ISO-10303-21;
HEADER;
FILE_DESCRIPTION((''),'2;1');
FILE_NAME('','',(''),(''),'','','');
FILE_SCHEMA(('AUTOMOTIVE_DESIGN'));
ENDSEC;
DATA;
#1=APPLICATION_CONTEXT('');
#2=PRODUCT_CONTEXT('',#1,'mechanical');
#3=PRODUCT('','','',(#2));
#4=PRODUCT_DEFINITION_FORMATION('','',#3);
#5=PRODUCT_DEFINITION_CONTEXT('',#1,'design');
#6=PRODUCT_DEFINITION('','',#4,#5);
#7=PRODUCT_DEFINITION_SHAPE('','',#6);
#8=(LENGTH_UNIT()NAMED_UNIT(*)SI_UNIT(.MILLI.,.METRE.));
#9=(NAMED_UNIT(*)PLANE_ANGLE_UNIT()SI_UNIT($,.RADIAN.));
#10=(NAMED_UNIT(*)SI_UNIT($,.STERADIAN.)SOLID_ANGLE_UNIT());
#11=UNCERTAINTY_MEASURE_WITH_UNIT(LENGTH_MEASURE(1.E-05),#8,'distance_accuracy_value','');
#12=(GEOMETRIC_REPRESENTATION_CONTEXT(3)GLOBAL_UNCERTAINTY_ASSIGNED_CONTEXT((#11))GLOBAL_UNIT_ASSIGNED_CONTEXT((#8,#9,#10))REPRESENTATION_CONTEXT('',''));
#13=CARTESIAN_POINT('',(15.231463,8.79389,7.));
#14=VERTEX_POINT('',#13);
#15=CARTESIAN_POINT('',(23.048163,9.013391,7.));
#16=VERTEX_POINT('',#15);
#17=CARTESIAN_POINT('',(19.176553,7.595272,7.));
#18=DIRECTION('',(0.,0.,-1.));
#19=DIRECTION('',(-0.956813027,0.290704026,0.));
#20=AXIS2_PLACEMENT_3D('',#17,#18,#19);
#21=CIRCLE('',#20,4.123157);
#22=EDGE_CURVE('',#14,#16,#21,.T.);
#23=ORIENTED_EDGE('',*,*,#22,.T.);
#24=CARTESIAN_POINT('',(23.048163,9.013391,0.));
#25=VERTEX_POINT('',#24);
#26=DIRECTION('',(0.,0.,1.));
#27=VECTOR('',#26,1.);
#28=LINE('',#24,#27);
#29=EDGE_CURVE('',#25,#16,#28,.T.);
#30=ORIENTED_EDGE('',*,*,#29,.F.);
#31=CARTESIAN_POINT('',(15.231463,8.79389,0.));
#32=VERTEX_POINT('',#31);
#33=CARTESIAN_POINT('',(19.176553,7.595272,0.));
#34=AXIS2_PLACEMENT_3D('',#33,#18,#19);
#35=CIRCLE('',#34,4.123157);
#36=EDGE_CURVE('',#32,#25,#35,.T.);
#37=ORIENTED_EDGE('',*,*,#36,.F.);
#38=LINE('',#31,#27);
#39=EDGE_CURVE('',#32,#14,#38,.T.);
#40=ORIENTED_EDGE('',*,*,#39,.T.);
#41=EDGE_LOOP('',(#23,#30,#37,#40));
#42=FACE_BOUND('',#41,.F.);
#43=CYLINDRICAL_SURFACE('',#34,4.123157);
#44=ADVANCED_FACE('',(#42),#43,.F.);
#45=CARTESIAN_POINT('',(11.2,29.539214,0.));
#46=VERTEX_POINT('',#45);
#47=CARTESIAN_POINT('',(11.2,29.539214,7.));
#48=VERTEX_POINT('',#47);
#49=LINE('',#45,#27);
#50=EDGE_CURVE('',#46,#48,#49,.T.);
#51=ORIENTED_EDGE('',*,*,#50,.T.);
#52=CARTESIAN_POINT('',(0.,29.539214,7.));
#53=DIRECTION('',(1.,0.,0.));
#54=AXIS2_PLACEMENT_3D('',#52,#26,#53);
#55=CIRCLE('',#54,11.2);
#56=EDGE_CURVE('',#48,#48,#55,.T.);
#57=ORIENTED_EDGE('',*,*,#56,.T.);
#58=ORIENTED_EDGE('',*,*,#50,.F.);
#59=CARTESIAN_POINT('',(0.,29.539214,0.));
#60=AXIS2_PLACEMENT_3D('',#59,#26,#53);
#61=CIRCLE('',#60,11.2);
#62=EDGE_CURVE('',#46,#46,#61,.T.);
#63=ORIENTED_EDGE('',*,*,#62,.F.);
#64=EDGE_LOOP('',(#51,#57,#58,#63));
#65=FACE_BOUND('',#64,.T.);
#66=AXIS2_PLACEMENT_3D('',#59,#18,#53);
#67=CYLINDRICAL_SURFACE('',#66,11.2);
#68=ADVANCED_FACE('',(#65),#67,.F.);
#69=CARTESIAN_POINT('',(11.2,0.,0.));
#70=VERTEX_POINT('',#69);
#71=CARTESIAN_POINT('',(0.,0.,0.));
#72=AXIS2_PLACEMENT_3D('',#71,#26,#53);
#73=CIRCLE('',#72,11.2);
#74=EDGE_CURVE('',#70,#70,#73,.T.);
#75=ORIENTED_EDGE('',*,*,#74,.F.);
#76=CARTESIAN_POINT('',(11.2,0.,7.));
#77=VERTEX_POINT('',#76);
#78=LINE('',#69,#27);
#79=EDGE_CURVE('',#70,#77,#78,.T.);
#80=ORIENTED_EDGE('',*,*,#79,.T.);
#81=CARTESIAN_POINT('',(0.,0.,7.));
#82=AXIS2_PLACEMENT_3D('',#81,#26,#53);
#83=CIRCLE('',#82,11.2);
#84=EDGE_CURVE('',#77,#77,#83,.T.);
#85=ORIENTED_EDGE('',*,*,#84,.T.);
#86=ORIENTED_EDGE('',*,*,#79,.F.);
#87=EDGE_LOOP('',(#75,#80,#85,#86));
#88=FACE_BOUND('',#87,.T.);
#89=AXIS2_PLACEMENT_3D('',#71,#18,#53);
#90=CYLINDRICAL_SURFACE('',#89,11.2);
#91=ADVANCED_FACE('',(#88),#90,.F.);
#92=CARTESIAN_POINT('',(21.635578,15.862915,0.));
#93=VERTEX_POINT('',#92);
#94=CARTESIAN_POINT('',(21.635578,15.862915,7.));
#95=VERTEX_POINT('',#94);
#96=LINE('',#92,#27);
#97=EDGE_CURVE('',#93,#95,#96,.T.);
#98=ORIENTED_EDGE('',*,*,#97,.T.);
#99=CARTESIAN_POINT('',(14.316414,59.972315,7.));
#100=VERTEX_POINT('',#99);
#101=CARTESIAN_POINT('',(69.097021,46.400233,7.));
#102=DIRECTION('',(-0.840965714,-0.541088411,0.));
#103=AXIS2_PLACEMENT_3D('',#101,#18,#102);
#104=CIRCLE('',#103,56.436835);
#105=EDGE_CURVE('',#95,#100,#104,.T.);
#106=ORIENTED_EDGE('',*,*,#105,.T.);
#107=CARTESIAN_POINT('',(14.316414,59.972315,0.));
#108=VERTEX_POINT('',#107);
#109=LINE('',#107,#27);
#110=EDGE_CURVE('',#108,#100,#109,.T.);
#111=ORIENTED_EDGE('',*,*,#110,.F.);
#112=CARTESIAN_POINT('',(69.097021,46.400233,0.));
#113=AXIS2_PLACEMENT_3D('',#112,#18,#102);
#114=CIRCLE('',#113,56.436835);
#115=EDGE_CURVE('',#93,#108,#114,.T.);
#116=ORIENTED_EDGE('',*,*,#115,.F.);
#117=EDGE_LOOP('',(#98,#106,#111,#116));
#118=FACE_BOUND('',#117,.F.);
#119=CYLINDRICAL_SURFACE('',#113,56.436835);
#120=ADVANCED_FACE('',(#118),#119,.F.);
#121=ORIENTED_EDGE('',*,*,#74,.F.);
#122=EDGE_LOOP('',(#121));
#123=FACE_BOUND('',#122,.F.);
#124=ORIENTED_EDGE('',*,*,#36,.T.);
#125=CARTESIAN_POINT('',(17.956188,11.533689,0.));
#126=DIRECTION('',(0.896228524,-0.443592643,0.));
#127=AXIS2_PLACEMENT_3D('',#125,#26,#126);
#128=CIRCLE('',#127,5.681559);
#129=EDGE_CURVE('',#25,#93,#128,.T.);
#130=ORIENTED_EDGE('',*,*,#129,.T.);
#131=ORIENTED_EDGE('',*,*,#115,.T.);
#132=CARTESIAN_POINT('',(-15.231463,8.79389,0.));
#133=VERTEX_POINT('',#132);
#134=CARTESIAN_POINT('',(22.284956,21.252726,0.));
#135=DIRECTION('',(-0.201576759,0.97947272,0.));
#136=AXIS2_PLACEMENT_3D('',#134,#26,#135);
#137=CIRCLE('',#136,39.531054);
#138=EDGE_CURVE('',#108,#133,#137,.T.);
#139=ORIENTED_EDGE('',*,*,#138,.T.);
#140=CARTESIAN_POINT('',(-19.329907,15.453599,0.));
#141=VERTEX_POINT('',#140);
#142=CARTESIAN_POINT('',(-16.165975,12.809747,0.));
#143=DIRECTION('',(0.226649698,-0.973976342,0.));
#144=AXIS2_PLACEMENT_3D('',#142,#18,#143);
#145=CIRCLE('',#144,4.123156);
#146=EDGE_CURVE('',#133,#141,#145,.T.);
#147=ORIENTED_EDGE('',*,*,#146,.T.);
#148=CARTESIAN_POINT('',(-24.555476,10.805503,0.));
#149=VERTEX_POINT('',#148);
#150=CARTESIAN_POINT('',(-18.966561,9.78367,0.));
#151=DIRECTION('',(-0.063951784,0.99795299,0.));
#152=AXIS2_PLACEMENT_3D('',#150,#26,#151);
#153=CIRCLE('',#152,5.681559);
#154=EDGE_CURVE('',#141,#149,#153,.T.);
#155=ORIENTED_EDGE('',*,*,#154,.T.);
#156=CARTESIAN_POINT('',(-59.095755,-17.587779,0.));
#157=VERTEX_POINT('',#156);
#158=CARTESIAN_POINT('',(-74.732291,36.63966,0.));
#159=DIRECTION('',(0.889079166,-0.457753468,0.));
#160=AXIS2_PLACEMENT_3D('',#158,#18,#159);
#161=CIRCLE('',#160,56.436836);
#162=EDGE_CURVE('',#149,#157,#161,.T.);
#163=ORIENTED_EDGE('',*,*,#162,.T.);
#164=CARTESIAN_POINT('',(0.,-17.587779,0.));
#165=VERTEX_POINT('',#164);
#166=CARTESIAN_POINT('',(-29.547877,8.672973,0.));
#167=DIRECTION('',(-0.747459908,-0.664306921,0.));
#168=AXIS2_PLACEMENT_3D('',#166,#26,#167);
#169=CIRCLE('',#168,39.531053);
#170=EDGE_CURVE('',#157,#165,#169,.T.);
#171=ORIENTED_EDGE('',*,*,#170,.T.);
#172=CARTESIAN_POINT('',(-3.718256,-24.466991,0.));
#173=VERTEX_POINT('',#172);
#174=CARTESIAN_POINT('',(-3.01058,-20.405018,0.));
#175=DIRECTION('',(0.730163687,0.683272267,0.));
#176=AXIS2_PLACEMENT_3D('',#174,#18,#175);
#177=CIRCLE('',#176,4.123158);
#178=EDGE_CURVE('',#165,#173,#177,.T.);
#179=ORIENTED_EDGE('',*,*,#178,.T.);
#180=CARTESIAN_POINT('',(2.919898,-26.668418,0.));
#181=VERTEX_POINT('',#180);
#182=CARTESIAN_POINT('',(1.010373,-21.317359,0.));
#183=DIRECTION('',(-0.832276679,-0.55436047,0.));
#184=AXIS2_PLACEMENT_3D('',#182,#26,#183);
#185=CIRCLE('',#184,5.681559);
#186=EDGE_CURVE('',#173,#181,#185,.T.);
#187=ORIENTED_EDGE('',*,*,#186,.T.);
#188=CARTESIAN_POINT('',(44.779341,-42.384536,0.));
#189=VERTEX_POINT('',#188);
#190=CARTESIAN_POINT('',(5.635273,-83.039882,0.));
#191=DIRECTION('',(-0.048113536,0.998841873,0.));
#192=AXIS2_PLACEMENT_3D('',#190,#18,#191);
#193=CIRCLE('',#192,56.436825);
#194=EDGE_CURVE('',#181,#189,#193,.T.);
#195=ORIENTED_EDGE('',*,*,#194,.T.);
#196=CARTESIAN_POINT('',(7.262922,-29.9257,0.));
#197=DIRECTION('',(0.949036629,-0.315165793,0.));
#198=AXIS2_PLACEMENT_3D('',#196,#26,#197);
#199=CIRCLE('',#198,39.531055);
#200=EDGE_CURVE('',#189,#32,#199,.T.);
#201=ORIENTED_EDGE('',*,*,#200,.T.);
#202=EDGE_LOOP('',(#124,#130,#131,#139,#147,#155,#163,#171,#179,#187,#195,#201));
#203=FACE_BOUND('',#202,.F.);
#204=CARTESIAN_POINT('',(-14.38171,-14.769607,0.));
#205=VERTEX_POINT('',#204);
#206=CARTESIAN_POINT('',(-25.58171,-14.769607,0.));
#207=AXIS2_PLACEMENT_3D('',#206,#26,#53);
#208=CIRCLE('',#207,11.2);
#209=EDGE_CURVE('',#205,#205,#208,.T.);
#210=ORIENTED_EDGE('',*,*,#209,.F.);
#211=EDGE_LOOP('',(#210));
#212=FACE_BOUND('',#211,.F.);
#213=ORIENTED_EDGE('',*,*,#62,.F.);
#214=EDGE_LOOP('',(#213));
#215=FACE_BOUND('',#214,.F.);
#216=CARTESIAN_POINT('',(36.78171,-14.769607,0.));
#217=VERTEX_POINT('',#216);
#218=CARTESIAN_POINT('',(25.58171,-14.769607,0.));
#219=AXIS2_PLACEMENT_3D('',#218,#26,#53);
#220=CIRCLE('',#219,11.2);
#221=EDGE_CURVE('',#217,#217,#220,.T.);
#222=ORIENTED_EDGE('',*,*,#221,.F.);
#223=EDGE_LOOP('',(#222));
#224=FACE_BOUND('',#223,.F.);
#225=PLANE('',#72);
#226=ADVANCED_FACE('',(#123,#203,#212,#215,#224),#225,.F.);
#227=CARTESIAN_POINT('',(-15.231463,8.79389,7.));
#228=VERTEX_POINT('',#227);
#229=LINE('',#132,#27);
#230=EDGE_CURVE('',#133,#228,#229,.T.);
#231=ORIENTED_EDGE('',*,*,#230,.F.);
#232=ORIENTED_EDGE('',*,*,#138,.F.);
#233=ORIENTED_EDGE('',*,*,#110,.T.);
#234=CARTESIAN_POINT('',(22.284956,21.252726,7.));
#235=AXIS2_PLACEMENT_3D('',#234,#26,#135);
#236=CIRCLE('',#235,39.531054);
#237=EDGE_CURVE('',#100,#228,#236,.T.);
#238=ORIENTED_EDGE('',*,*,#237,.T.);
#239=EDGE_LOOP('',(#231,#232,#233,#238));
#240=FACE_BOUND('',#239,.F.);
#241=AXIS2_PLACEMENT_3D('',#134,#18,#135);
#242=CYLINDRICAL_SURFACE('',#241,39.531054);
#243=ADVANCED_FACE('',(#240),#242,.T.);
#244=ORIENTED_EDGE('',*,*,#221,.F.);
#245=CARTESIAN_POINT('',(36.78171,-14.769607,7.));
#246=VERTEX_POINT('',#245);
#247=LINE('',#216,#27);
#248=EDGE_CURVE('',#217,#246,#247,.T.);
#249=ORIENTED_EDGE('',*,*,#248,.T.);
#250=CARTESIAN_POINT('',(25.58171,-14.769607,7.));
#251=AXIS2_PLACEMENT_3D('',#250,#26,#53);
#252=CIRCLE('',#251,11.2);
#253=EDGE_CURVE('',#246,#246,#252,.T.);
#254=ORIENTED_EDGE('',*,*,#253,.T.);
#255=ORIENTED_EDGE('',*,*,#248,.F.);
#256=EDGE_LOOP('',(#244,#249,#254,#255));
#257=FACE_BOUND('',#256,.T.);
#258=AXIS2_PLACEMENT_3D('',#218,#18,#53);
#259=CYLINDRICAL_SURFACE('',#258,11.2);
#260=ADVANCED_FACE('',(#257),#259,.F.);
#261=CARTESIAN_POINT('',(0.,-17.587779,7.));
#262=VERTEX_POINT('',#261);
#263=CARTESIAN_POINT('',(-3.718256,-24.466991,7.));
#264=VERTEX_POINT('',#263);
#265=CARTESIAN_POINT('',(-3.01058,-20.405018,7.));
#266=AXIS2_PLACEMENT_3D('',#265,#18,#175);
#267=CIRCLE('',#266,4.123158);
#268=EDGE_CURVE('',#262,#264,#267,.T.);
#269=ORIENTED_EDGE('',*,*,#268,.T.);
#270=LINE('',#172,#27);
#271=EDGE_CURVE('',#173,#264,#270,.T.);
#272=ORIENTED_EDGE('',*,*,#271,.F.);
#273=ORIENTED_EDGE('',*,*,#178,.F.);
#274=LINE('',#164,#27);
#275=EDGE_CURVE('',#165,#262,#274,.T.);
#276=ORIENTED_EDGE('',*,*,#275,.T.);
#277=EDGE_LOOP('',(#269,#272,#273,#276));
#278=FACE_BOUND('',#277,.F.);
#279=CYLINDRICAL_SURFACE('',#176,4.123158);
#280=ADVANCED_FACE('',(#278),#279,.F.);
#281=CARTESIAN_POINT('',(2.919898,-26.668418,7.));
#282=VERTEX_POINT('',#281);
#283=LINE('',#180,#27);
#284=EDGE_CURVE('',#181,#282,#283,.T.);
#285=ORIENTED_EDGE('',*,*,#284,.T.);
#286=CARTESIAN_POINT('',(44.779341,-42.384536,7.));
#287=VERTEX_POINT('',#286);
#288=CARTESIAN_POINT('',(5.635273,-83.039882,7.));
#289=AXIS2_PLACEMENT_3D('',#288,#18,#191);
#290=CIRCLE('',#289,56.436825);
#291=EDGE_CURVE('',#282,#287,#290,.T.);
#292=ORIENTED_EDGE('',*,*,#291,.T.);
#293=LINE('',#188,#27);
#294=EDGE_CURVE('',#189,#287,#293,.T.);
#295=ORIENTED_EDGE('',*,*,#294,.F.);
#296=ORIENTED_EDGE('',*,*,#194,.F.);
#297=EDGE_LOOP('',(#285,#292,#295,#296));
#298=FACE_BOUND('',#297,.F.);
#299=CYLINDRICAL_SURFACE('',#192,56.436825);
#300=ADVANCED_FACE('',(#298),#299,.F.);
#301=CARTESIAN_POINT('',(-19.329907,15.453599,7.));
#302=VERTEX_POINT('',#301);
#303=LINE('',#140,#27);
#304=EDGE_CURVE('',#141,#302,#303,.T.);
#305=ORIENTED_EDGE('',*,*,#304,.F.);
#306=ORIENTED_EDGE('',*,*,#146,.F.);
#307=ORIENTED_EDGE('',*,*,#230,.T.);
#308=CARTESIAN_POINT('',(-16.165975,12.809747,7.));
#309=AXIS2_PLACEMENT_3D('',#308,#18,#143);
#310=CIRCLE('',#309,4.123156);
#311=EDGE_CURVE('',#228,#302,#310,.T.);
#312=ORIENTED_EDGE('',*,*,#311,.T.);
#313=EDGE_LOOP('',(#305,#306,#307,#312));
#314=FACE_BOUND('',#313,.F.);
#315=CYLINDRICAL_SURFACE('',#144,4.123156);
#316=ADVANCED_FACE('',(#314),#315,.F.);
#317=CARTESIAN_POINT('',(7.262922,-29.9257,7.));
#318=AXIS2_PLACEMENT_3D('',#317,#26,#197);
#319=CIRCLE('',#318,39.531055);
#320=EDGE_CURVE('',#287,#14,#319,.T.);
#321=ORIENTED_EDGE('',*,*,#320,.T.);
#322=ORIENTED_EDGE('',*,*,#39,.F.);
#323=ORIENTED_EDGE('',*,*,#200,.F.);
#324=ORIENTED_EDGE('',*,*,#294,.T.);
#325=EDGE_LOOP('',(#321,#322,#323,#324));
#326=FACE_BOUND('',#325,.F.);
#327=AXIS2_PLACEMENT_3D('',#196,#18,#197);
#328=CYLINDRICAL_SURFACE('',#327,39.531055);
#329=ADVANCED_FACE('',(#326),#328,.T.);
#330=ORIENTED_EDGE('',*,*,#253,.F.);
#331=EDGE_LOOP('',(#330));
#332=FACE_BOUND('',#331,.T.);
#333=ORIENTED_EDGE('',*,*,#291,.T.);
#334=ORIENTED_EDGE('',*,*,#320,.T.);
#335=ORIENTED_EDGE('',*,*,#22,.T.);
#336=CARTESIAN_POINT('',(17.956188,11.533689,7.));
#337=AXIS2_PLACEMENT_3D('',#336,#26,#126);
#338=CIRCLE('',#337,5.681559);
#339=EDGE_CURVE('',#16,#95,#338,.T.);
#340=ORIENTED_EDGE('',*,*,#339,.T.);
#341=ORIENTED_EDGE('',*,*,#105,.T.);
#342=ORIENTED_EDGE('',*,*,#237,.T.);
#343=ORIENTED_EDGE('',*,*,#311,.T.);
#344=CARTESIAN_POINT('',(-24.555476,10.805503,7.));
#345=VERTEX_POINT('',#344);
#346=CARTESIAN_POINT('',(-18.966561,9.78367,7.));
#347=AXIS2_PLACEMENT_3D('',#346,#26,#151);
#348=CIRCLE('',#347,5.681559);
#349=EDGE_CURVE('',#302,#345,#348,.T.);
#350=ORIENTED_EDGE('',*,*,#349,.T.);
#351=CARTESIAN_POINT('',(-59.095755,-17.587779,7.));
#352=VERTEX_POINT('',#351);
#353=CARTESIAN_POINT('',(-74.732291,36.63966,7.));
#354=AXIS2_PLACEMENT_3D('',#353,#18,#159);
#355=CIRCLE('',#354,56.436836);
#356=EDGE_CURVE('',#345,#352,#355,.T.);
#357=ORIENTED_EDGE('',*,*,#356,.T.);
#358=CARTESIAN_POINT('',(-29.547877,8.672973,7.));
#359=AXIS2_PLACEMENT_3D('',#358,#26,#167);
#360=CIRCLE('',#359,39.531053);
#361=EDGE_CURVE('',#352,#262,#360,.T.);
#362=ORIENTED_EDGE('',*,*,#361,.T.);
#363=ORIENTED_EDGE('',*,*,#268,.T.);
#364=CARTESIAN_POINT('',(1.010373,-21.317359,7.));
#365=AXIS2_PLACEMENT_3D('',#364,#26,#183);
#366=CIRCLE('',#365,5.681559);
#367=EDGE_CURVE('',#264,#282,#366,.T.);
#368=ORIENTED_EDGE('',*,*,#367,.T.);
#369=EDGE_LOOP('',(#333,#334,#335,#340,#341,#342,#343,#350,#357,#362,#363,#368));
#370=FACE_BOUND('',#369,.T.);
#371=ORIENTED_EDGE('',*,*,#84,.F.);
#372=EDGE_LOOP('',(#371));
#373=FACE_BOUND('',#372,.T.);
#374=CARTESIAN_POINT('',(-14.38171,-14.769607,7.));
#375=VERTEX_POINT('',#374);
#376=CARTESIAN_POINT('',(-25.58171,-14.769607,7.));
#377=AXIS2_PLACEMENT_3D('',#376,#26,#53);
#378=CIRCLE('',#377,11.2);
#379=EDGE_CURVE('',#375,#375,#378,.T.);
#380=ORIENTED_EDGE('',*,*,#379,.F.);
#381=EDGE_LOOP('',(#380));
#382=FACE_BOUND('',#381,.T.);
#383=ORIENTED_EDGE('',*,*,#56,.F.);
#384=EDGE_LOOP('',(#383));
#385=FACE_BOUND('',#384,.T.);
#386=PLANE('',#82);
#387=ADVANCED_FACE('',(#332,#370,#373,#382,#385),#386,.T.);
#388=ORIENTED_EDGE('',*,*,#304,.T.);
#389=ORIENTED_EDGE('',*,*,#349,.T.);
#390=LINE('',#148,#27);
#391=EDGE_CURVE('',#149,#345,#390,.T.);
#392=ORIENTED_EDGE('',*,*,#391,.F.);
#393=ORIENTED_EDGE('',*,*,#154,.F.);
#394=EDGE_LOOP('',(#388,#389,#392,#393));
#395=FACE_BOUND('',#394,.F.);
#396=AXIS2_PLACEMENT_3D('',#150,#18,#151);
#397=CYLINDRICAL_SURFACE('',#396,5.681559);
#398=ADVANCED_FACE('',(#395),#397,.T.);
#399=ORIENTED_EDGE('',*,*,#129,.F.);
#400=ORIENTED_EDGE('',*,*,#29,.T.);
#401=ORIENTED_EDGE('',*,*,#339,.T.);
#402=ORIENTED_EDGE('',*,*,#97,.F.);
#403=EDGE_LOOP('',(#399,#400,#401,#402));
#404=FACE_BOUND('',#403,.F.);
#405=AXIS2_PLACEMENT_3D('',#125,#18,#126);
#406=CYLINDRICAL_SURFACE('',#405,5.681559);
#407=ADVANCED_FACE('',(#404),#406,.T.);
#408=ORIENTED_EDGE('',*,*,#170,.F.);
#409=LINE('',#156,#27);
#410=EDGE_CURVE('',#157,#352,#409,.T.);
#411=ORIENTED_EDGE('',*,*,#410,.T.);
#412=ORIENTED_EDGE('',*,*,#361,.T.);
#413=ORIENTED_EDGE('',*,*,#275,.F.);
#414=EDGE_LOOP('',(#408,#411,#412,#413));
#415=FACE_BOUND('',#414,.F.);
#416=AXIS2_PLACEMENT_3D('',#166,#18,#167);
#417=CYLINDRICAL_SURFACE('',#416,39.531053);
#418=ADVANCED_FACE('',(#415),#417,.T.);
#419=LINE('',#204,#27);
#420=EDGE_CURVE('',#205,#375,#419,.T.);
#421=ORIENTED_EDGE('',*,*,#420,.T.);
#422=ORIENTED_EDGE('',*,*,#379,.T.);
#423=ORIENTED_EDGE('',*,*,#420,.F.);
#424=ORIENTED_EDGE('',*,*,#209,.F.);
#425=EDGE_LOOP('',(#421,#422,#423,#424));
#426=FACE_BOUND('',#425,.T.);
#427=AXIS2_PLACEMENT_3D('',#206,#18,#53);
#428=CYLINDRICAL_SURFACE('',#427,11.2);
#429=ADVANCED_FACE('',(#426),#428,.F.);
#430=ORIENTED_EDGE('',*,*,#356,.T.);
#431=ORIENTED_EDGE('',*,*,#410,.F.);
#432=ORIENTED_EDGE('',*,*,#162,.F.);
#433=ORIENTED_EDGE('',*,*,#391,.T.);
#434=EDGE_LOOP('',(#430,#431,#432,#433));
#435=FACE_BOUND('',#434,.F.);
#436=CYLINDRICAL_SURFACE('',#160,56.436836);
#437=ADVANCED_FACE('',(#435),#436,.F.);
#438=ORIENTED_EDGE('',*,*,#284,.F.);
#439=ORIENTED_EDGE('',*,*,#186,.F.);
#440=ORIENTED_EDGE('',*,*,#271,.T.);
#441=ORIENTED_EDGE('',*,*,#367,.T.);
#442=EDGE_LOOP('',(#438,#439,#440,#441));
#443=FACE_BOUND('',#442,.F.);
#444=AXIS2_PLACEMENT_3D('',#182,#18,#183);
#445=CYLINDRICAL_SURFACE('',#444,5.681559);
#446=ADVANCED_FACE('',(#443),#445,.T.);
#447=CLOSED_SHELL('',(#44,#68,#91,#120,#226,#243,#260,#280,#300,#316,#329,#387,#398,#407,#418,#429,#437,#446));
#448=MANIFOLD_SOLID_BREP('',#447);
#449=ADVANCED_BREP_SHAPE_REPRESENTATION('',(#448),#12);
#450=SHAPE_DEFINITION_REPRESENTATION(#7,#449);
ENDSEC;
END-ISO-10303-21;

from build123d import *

# Parameters (mm, degrees)
F0_R     = 11.2
F1_DEPTH = 7


with BuildPart() as f1:
    # F0 (on Top) → F1 (new body)
    with BuildSketch(Plane.XY):
        with BuildLine():
            ThreePointArc((-24.555476, 10.805503), (-38.89385, -6.957617), (-59.095755, -17.587779))
            ThreePointArc((-59.095755, -17.587779), (-29.547878, -30.85808), (0, -17.587779))
            ThreePointArc((0, -17.587779), (0.616641, -22.365553), (-3.718256, -24.466991))
            ThreePointArc((-3.718256, -24.466991), (-0.778036, -26.710105), (2.919898, -26.668418))
            ThreePointArc((2.919898, -26.668418), (25.472398, -30.204253), (44.779341, -42.384536))
            ThreePointArc((44.779341, -42.384536), (41.49782, -10.160173), (15.231463, 8.79389))
            ThreePointArc((15.231463, 8.79389), (19.060817, 11.716804), (23.048163, 9.013391))
            ThreePointArc((23.048163, 9.013391), (23.520647, 12.681254), (21.635578, 15.862915))
            ThreePointArc((21.635578, 15.862915), (13.421452, 37.16187), (14.316414, 59.972315))
            ThreePointArc((14.316414, 59.972315), (-11.949942, 41.018252), (-15.231463, 8.79389))
            ThreePointArc((-15.231463, 8.79389), (-19.677458, 10.64875), (-19.329907, 15.453599))
            ThreePointArc((-19.329907, 15.453599), (-22.742611, 14.028851), (-24.555476, 10.805503))
        make_face()
        with Locations((-25.58171, -14.769607)):
            Circle(F0_R, mode=Mode.SUBTRACT)
        Circle(F0_R, mode=Mode.SUBTRACT)
        with Locations((25.58171, -14.769607)):
            Circle(F0_R, mode=Mode.SUBTRACT)
        with Locations((0, 29.539214)):
            Circle(F0_R, mode=Mode.SUBTRACT)
    extrude(amount=F1_DEPTH)


solid = f1.part
